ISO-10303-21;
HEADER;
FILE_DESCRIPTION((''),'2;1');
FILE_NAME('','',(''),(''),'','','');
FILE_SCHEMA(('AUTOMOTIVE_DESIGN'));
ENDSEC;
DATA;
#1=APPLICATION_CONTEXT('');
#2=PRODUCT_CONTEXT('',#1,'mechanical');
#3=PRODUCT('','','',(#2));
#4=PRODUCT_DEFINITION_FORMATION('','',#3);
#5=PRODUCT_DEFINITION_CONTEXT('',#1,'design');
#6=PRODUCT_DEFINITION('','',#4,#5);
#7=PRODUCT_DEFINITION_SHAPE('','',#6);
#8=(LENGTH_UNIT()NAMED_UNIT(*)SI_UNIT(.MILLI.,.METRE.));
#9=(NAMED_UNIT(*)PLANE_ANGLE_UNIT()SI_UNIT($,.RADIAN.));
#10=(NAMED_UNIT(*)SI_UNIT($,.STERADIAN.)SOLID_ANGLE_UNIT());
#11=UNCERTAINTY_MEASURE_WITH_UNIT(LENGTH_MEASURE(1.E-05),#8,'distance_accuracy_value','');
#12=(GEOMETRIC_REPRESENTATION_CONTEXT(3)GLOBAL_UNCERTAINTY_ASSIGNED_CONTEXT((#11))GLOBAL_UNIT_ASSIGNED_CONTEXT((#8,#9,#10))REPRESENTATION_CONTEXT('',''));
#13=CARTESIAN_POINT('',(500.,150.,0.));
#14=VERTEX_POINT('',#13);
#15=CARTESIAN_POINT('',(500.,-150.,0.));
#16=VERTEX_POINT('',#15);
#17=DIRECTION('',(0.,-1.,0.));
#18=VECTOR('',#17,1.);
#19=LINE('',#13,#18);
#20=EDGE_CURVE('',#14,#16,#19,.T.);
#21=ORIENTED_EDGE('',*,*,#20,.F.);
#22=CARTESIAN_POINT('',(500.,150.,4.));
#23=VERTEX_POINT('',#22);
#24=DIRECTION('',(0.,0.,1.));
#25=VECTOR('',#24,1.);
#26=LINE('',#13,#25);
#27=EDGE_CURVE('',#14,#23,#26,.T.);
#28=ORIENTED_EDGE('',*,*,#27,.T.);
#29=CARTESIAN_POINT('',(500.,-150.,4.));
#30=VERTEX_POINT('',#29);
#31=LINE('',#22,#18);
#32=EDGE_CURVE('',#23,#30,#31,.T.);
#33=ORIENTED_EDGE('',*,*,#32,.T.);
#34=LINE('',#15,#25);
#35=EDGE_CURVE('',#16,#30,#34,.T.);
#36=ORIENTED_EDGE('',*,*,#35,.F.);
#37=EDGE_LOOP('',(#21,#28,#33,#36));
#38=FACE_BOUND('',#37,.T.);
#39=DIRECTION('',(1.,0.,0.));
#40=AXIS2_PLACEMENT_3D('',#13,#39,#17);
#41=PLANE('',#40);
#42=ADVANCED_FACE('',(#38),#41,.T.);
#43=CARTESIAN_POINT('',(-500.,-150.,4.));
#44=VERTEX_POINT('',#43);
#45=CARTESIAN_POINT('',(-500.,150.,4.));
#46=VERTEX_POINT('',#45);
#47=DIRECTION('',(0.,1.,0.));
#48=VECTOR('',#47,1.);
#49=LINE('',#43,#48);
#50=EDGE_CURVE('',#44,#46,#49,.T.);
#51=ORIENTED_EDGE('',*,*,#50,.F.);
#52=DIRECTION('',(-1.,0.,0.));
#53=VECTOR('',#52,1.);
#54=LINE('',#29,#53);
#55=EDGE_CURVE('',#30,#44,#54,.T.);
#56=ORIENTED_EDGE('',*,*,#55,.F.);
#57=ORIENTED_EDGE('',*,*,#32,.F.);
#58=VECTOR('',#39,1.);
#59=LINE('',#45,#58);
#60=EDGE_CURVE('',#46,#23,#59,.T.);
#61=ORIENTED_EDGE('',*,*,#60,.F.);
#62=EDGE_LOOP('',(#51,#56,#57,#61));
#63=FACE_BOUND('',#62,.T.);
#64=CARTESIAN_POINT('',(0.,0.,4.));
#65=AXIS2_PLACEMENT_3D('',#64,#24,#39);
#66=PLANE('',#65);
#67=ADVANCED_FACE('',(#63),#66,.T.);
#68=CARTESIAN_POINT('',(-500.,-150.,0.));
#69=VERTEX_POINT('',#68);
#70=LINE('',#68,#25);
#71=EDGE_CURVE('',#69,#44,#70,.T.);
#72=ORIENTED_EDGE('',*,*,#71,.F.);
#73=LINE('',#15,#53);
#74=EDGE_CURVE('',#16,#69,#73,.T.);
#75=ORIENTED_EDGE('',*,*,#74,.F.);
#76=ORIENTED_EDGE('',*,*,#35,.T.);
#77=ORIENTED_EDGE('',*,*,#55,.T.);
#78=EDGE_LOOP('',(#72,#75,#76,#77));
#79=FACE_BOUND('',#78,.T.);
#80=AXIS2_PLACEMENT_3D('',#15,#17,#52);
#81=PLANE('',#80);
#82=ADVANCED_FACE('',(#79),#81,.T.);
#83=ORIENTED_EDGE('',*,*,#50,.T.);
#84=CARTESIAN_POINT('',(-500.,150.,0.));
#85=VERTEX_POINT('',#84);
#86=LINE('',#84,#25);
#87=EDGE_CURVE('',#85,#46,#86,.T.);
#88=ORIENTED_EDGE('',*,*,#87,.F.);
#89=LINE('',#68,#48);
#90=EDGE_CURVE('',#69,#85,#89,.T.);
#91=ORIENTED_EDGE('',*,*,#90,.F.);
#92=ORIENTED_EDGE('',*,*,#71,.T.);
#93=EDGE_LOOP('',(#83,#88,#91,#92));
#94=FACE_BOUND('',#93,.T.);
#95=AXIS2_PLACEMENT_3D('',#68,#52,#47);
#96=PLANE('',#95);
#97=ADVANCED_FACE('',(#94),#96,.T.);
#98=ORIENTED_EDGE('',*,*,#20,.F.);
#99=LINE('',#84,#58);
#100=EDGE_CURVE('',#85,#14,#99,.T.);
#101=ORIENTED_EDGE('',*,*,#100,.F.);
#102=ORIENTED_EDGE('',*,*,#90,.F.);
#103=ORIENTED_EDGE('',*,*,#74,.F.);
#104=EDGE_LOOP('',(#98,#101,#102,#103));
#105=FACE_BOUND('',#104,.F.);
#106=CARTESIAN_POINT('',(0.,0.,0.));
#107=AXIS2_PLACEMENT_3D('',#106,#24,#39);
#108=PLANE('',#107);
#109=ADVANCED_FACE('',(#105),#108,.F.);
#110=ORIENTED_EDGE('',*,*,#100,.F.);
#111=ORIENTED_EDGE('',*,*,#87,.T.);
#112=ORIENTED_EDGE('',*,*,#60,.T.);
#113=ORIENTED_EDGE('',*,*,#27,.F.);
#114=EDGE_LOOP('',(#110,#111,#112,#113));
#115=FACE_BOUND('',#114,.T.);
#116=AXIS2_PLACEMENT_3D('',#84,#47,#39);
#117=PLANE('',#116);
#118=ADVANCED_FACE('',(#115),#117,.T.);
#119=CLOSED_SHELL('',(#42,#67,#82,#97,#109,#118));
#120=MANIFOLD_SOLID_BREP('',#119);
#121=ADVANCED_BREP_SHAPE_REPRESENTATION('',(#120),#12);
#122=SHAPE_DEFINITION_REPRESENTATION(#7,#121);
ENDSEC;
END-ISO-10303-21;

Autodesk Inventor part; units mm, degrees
ref_plane "YZ Plane" through (0, 0, 0) normal (1, 0, 0) x (0, 1, 0)
ref_plane "XZ Plane" through (0, 0, 0) normal (0, 1, 0) x (-1, 0, 0)
ref_plane "XY Plane" through (0, 0, 0) normal (0, 0, 1) x (1, 0, 0)
ref_plane "Work Plane1" through (0, 0, 0) normal (0, 0, 1) x (1, 0, 0)
sketch "Sketch1" plane through (0, 0, 0) normal (0, 0, 1) x (1, 0, 0)
  line L0 (525, 175) -> (-525, 175) projected
  line L1 (525, -175) -> (525, 175) projected
  line L2 (525, -175) -> (525, 175) projected
  line L3 (-525, -175) -> (525, -175) projected
  line L4 (525, -175) -> (525, 175) projected
  line L5 (525, 175) -> (-525, 175) projected
  line L6 (-525, 175) -> (-525, -175) projected
  line L7 (500, -150) -> (-500, -150) projected
  line L8 (-500, -150) -> (-500, 150) projected
  line L9 (-500, 150) -> (500, 150) projected
  line L10 (500, 150) -> (500, -150) projected
  circle A0 centre (0, 165) radius 3 projected
  circle A1 centre (-515, 165) radius 3 projected
  circle A2 centre (515, 165) radius 3 projected
  circle A3 centre (257.5, 165) radius 3 projected
  circle A4 centre (0, -165) radius 3 projected
  circle A5 centre (257.5, -165) radius 3 projected
  circle A6 centre (515, -165) radius 3 projected
  circle A7 centre (-257.5, -165) radius 3 projected
  circle A8 centre (-515, -165) radius 3 projected
  circle A9 centre (-257.5, 165) radius 3 projected
  point P0 (0, 0)
extrude "Extrusion1" add sketch "Sketch1" along normal blind 4 contours L7 L8 L9 L10
properties part number "aluminium"
